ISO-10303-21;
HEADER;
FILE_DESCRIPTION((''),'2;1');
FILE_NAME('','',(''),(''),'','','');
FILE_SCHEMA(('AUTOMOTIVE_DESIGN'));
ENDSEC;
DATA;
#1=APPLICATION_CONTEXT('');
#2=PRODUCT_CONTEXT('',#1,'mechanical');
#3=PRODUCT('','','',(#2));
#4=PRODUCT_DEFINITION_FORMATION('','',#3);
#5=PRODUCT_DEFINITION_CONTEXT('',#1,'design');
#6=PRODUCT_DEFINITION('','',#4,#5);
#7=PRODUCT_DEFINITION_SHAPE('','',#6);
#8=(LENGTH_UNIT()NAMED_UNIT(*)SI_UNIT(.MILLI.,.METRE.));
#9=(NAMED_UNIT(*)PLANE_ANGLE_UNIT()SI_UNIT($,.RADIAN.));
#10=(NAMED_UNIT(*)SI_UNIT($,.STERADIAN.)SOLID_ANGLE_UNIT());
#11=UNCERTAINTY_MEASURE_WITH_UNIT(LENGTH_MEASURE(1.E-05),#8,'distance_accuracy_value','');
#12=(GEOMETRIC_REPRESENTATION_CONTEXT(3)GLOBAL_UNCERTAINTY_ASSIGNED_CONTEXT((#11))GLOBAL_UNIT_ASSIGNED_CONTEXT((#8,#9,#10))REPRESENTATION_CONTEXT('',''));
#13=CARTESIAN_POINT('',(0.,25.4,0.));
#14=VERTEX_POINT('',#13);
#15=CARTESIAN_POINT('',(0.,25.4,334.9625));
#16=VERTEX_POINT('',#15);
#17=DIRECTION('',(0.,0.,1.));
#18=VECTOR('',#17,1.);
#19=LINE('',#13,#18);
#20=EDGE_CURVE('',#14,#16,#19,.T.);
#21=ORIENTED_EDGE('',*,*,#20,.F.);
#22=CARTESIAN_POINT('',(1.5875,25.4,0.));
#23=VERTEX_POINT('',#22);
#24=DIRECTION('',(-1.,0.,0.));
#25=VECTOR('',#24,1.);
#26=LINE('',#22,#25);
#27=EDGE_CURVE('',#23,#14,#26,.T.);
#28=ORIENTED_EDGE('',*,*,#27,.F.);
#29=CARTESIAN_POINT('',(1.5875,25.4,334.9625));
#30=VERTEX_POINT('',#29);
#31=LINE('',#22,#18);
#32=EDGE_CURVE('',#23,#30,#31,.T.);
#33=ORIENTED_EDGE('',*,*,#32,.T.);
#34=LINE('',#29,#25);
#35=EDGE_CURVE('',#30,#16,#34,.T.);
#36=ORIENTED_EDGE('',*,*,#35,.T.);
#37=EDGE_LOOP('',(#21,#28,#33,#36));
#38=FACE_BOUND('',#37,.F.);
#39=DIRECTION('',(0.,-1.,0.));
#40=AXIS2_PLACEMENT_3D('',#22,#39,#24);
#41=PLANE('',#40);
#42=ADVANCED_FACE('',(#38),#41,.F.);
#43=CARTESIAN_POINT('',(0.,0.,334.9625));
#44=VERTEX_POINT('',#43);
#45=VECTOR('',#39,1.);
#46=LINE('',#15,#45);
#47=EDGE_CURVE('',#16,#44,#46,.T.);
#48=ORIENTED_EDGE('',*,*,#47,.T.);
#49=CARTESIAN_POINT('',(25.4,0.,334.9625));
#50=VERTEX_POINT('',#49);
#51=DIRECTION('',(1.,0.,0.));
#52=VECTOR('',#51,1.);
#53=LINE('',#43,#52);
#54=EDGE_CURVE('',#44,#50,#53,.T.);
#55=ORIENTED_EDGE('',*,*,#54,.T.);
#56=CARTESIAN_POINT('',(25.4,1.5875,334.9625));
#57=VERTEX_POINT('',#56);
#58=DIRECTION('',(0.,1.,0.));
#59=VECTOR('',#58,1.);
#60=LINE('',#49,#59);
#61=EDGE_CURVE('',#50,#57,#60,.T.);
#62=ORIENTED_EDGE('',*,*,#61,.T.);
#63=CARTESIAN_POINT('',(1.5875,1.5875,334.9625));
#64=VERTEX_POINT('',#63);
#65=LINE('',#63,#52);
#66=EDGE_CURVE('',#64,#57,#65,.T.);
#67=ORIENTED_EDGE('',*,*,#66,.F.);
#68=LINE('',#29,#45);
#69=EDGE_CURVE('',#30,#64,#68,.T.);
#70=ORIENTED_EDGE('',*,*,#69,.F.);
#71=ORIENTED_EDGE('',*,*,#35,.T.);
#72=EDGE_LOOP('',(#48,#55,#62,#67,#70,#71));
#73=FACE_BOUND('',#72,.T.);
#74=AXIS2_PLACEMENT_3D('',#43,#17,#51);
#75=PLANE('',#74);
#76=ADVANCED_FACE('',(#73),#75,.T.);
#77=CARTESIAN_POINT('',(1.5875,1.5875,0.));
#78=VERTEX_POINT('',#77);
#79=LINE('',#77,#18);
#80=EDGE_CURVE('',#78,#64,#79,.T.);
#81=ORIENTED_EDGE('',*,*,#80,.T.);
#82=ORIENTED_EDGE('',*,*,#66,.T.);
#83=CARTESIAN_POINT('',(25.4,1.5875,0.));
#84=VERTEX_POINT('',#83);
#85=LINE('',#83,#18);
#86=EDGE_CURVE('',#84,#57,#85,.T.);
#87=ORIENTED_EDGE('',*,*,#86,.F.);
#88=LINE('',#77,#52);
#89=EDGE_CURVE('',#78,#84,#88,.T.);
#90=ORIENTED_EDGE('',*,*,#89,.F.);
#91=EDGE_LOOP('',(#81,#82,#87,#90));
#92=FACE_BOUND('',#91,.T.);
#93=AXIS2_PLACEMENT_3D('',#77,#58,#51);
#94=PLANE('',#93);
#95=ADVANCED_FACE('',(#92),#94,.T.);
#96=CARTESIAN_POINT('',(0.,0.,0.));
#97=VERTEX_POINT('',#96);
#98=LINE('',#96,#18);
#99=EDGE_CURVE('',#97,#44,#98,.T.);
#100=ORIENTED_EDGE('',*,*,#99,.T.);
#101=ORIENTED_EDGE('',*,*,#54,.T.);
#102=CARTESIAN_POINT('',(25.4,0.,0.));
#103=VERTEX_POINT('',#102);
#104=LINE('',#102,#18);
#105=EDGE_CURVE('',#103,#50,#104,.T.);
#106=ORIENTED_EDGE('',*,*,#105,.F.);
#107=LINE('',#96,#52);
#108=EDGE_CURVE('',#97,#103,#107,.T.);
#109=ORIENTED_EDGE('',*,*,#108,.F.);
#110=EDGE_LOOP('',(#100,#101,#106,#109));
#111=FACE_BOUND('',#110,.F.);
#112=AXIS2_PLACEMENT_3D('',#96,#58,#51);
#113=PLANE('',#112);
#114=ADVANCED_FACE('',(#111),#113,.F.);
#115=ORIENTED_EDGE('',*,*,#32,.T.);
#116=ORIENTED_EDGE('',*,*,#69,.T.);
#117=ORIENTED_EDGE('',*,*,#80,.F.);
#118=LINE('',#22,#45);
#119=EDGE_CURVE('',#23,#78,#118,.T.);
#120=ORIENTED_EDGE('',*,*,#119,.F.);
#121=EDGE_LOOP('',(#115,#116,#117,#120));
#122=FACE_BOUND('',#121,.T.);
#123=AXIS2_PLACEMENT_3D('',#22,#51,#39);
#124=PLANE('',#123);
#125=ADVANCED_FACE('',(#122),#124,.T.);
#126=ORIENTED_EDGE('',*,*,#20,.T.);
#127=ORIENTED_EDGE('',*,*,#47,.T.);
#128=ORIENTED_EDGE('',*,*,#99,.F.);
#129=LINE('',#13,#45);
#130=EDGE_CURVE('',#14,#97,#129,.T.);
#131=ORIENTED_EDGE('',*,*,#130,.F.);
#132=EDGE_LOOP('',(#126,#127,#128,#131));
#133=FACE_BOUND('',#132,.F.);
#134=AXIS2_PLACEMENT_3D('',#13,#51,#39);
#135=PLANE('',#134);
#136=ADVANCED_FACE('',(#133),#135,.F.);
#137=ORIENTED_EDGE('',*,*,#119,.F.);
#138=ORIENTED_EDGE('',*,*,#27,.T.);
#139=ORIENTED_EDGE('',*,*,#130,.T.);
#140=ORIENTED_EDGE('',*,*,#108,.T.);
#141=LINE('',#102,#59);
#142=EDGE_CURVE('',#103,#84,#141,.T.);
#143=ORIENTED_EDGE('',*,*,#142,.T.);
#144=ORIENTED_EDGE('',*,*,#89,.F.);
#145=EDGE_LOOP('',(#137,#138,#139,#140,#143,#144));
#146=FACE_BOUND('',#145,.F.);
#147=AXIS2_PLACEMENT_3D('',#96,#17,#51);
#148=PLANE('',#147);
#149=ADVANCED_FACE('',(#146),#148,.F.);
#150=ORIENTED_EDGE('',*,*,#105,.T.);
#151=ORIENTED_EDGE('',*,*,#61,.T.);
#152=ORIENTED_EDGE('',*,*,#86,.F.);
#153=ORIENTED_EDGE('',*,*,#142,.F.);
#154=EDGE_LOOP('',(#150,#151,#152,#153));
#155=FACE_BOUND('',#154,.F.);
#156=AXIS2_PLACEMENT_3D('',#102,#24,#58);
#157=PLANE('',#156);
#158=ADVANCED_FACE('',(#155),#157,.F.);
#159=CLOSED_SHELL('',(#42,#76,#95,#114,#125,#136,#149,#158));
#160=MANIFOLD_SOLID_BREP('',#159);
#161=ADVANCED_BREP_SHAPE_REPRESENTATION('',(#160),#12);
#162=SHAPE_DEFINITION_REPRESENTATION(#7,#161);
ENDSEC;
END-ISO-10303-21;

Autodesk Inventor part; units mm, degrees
ref_plane "YZ Plane" through (0, 0, 0) normal (1, 0, 0) x (0, 1, 0)
ref_plane "XZ Plane" through (0, 0, 0) normal (0, 1, 0) x (-1, 0, 0)
ref_plane "XY Plane" through (0, 0, 0) normal (0, 0, 1) x (1, 0, 0)
sketch "Sketch1" plane through (0, 0, 0) normal (0, 0, 1) x (1, 0, 0)
  line L0 (0, 0) -> (25.4, 0)
  line L1 (25.4, 0) -> (25.4, 1.5875)
  line L2 (1.5875, 25.4) -> (0, 25.4)
  line L3 (0, 25.4) -> (0, 0)
  line L4 (1.5875, 25.4) -> (1.5875, 1.5875)
  line L5 (1.5875, 1.5875) -> (25.4, 1.5875)
  dimension "d0" = 1.5875
  dimension "d1" = 1.5875
  dimension "d2" = 25.4
  dimension "d3" = 25.4
extrude "Extrusion1" add sketch "Sketch1" along normal blind 334.9625
equation "\"d0\" = d1"
equation "\"d2\" = d3"
properties part number "8 ball top L frame"
